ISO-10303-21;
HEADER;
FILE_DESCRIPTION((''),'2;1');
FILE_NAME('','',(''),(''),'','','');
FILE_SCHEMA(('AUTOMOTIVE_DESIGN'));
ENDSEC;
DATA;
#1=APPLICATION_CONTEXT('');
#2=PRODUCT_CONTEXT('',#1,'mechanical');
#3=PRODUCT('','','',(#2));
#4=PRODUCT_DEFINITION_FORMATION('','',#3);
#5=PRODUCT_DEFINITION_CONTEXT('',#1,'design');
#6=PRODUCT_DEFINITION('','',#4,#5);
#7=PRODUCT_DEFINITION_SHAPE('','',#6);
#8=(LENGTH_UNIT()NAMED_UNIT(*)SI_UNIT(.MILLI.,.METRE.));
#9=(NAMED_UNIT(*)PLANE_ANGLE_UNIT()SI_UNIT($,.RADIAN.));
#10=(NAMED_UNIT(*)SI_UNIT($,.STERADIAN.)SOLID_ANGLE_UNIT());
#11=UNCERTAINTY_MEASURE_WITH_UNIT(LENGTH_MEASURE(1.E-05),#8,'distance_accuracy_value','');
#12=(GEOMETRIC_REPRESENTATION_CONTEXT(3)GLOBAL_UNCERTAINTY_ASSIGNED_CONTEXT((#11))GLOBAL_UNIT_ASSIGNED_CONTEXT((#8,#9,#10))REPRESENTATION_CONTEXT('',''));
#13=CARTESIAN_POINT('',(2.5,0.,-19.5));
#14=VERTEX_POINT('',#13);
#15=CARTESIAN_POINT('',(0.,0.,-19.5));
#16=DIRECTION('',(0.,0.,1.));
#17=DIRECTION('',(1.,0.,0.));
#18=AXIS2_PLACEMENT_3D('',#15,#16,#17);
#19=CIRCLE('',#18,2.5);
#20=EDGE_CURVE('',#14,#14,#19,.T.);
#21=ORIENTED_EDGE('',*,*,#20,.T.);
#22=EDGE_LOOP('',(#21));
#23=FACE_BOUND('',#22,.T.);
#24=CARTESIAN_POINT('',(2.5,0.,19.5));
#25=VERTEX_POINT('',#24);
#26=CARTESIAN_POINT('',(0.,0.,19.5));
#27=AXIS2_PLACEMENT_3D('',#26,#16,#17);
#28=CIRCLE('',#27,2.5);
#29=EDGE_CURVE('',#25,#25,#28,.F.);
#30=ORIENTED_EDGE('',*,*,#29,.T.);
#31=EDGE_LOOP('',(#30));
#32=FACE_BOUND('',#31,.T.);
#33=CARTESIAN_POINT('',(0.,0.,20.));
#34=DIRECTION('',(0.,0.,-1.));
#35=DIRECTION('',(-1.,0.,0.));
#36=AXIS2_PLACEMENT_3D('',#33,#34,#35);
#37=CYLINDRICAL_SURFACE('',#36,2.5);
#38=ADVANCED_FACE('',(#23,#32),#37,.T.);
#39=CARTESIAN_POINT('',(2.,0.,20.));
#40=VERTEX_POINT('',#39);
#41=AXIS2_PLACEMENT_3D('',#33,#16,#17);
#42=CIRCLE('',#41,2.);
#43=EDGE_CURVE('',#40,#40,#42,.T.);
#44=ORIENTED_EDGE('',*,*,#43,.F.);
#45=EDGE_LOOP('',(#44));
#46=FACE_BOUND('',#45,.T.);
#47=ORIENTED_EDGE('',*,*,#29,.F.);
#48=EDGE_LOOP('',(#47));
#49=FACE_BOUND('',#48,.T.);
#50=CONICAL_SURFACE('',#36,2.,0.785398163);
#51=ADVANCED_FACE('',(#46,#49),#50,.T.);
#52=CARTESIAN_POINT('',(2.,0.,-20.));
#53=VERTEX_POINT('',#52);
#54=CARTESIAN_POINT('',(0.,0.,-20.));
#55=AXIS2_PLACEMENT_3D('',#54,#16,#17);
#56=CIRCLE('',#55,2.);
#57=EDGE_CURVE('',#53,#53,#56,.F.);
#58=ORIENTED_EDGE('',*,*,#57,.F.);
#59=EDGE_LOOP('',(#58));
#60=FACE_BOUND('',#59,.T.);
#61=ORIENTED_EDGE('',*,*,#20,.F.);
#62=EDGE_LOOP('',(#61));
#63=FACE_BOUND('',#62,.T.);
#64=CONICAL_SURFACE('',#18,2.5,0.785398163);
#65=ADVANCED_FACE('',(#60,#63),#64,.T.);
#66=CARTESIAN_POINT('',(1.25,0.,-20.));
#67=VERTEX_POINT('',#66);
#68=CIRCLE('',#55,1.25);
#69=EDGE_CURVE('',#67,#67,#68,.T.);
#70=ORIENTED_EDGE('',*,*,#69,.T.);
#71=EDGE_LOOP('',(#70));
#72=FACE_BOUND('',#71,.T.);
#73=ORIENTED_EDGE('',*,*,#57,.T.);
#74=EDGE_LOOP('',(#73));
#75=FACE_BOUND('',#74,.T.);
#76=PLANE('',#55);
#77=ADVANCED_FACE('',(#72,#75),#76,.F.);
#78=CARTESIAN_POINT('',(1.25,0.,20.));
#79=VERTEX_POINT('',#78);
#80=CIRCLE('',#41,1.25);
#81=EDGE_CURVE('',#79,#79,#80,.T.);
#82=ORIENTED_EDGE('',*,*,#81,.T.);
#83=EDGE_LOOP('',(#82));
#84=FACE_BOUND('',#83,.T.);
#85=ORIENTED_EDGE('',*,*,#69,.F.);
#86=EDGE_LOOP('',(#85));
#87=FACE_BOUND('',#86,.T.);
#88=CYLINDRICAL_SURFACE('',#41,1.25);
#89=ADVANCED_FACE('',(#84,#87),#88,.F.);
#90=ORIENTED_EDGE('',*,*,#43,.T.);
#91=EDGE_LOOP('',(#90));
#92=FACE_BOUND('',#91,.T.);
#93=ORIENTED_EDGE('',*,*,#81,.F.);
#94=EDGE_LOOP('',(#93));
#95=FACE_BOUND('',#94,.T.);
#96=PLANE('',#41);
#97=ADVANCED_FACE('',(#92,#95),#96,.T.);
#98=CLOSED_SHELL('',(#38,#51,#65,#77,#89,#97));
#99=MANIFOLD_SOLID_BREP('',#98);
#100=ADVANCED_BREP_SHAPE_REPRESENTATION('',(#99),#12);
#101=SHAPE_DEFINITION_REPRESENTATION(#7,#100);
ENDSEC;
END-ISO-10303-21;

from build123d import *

# Parameters (mm, degrees)
SKETCH1_R             = 2.5
BOSS_EXTRUDE1_DEPTH   = 20
M3X0_5_TAPPED_HOLE1_D = 2.5
CHAMFER1_SIZE         = 0.5


with BuildPart() as part:
    # Sketch1 → Boss-Extrude1 (new, symmetric)
    with BuildSketch(Plane.XY):
        Circle(SKETCH1_R)
    extrude(amount=BOSS_EXTRUDE1_DEPTH, both=True)

    # M3x0.5 Tapped Hole1 (through all)
    with Locations(Plane.XY.offset(20)):
        with Locations((0, 0)):
            Hole(M3X0_5_TAPPED_HOLE1_D / 2)

    # Chamfer1
    chamfer1_edges = [part.edges().sort_by_distance(p)[0] for p in [
        (-2.5, 0, -20),
        (-2.5, 0, 20),
    ]]
    chamfer(chamfer1_edges, length=CHAMFER1_SIZE)


solid = part.part
